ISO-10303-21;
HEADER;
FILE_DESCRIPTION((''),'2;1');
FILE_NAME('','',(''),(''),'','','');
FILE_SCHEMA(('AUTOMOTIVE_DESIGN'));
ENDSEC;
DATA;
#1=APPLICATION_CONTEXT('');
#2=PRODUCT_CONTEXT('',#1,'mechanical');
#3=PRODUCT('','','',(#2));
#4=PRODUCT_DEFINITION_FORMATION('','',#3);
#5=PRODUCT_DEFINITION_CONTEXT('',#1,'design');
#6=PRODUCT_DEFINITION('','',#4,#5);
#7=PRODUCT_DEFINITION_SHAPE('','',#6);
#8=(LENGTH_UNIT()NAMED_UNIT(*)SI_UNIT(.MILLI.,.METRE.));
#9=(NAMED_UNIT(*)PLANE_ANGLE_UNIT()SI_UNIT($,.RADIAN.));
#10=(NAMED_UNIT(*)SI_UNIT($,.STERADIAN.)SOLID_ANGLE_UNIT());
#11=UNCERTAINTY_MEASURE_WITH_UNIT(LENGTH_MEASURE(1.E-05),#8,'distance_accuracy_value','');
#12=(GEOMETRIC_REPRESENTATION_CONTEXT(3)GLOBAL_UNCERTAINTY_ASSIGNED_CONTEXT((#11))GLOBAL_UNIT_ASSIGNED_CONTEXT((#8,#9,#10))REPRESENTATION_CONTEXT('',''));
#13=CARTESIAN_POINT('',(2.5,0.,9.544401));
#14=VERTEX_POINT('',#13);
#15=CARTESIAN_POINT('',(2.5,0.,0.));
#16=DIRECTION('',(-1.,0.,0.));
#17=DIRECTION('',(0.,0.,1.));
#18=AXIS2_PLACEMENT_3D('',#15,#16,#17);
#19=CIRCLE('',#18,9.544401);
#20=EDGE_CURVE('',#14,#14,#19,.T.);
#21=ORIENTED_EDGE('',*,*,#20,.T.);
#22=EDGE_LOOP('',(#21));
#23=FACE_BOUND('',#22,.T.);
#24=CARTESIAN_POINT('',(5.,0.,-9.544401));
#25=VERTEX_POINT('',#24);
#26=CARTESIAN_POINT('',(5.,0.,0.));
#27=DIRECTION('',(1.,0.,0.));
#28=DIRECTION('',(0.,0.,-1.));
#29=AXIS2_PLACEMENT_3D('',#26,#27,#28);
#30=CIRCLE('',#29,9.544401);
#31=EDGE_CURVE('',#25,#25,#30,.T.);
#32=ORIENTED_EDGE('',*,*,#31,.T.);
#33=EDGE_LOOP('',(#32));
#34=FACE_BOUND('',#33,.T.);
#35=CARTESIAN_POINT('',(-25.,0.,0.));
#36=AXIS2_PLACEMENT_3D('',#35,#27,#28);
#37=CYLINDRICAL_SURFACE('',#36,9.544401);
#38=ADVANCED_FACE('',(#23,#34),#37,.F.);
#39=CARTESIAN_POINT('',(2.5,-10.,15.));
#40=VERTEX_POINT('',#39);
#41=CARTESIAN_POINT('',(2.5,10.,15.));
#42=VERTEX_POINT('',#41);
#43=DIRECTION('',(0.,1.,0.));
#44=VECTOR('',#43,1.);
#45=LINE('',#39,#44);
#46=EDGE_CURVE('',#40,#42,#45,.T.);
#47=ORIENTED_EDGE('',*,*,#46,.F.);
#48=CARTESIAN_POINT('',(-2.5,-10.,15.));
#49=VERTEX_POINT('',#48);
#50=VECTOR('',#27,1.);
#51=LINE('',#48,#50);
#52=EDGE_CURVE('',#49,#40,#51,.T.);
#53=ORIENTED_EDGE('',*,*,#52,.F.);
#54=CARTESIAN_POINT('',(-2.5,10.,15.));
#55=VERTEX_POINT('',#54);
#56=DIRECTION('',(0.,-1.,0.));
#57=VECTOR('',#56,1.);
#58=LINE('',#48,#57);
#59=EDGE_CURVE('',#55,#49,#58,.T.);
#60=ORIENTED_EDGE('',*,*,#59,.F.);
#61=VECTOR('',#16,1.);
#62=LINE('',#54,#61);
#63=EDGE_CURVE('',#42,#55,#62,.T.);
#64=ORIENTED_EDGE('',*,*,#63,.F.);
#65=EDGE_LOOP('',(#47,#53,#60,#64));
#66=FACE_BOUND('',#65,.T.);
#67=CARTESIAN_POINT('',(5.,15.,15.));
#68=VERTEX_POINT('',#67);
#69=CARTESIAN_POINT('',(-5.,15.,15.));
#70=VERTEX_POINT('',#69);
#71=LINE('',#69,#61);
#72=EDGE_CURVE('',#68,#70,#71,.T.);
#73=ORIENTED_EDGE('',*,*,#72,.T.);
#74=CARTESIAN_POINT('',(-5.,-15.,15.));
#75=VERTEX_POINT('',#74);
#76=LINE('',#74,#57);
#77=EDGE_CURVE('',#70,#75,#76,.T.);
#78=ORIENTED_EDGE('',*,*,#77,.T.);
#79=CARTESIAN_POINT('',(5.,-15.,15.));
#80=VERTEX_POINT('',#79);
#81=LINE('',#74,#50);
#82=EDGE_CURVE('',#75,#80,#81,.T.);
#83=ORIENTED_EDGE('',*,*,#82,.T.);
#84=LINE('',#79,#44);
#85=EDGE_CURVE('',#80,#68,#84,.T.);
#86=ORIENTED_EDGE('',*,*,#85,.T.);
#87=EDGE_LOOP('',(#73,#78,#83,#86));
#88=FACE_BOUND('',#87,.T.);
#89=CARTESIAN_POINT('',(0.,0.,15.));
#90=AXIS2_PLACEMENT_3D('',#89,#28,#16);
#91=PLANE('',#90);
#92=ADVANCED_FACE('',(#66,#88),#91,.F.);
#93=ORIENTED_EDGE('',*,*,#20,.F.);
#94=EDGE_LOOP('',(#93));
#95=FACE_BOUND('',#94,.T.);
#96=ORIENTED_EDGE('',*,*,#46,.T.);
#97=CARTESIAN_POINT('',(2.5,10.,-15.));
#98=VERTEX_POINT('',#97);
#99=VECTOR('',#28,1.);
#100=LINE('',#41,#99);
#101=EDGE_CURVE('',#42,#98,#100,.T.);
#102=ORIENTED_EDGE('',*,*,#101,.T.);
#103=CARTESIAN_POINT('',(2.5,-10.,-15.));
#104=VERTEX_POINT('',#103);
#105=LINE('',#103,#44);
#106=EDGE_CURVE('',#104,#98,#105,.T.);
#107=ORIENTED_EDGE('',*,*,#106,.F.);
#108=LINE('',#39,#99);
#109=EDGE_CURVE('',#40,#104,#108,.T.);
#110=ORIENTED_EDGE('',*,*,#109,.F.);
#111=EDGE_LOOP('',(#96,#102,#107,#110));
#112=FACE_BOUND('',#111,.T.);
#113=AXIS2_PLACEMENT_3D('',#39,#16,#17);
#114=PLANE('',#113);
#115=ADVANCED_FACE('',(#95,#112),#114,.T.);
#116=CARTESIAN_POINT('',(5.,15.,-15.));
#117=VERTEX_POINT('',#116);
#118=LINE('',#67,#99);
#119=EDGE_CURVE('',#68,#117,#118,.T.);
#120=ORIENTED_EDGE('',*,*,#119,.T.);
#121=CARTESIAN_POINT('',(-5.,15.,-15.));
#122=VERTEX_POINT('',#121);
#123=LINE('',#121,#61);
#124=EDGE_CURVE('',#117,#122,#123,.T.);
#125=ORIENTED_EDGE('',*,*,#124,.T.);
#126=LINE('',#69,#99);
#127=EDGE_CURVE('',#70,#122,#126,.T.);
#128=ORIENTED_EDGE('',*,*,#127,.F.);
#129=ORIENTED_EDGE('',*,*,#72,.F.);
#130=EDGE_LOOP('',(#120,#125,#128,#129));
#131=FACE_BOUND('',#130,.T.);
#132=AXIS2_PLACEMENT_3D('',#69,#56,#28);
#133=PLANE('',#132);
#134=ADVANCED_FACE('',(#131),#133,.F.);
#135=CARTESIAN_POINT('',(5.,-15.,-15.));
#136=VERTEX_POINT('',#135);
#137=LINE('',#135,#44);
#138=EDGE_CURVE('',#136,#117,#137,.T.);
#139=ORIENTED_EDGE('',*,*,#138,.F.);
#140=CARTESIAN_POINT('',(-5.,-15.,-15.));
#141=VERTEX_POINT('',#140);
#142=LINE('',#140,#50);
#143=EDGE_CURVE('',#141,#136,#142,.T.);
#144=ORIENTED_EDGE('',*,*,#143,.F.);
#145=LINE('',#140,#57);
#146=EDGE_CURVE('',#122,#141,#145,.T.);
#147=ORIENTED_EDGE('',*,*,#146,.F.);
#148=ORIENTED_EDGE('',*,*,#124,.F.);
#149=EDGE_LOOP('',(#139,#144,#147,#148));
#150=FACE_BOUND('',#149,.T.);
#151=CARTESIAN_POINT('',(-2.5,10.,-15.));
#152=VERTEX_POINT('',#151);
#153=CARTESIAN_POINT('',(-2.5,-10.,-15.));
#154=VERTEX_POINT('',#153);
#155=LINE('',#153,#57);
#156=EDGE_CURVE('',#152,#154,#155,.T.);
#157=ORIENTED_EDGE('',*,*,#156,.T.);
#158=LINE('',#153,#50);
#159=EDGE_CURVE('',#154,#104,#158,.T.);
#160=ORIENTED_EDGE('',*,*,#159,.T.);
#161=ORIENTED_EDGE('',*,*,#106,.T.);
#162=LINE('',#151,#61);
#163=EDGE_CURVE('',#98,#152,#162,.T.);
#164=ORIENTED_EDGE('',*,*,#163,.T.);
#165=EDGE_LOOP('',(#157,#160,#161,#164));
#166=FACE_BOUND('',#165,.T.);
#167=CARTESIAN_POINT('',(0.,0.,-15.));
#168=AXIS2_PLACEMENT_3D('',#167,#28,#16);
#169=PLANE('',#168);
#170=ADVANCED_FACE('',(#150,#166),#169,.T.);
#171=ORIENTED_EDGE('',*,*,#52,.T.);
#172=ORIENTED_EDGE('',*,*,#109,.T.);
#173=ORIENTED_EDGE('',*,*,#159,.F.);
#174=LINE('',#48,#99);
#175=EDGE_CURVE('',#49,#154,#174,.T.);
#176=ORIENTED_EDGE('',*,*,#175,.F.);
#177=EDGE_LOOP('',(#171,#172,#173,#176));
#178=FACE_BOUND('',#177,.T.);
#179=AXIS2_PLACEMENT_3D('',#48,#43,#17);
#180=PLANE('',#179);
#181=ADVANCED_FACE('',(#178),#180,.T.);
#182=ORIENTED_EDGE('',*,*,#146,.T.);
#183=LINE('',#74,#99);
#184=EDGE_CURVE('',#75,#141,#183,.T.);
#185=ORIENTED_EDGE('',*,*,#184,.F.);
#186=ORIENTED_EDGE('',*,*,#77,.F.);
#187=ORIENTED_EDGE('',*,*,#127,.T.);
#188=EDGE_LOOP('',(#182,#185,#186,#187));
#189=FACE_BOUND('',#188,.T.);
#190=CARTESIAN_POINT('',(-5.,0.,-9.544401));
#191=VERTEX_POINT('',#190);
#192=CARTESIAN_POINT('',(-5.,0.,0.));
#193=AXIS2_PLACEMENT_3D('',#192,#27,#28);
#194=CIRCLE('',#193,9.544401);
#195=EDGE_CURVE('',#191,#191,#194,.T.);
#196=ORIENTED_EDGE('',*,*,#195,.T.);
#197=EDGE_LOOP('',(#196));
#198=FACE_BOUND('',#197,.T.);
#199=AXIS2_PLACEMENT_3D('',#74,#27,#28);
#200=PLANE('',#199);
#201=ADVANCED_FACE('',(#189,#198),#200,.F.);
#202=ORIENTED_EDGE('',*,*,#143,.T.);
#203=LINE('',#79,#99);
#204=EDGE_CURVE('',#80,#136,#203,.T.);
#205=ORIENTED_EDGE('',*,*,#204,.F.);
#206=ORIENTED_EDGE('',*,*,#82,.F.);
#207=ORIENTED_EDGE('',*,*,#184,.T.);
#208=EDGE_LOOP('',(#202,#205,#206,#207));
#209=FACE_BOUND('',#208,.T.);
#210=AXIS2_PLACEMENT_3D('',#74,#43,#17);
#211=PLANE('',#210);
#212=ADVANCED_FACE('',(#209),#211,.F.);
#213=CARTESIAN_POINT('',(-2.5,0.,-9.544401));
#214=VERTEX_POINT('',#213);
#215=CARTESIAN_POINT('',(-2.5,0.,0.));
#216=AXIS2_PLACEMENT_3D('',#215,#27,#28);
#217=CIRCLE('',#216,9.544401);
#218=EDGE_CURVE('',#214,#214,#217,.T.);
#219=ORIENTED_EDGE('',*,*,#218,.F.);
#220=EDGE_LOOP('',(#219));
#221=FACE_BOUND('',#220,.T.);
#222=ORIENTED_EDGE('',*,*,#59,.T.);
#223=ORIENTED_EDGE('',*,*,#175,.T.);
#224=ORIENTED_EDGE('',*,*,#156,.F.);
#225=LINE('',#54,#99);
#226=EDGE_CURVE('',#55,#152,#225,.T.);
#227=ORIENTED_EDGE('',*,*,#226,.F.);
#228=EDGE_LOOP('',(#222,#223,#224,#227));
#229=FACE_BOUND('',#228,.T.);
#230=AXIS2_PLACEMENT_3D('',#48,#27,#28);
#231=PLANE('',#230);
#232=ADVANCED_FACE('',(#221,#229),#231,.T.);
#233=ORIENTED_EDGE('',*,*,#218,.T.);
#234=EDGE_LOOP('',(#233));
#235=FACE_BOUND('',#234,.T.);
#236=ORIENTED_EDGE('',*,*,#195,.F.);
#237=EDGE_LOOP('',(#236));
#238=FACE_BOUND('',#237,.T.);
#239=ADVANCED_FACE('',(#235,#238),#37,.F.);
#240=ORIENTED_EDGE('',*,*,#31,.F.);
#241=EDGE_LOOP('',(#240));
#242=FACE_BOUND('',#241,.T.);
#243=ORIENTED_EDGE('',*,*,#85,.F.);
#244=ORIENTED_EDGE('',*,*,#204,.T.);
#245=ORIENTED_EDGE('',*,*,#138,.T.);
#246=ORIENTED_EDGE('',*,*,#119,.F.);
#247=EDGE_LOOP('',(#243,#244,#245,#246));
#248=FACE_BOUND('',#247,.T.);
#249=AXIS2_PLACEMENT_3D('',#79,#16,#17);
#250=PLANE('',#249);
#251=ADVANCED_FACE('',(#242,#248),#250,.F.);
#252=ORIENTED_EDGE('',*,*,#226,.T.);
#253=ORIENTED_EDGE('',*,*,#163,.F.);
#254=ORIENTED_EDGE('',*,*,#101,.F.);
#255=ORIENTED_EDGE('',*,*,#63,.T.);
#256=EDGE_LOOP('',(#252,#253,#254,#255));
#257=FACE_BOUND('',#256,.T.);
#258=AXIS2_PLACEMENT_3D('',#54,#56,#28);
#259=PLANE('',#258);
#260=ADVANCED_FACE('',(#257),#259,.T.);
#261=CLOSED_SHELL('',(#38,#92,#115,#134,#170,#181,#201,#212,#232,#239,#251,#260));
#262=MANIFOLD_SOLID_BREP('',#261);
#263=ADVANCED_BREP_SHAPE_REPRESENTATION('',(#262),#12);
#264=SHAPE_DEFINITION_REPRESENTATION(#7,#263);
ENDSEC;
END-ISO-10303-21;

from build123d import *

# Parameters (mm, degrees)
SKETCH_1_W          = 10
SKETCH_1_H          = 30
SKETCH_1_W_2        = 5
SKETCH_1_H_2        = 20
EXTRUDE_1_DEPTH     = 15
SKETCH_2_R          = 9.544400842
CUT_EXTRUDE_1_DEPTH = 30


with BuildPart() as part:
    # 草图1 → 凸台-拉伸1 (new, symmetric)
    with BuildSketch(Plane.XY):
        Rectangle(SKETCH_1_W, SKETCH_1_H)
        Rectangle(SKETCH_1_W_2, SKETCH_1_H_2, mode=Mode.SUBTRACT)
    extrude(amount=EXTRUDE_1_DEPTH, both=True)

    # 草图2 → 切除-拉伸1 (cut)
    with BuildSketch(Plane(origin=(5, 0, 0), x_dir=(0, 0, -1), z_dir=(1, 0, 0))):
        Circle(SKETCH_2_R)
    extrude(amount=-CUT_EXTRUDE_1_DEPTH, mode=Mode.SUBTRACT)


solid = part.part
